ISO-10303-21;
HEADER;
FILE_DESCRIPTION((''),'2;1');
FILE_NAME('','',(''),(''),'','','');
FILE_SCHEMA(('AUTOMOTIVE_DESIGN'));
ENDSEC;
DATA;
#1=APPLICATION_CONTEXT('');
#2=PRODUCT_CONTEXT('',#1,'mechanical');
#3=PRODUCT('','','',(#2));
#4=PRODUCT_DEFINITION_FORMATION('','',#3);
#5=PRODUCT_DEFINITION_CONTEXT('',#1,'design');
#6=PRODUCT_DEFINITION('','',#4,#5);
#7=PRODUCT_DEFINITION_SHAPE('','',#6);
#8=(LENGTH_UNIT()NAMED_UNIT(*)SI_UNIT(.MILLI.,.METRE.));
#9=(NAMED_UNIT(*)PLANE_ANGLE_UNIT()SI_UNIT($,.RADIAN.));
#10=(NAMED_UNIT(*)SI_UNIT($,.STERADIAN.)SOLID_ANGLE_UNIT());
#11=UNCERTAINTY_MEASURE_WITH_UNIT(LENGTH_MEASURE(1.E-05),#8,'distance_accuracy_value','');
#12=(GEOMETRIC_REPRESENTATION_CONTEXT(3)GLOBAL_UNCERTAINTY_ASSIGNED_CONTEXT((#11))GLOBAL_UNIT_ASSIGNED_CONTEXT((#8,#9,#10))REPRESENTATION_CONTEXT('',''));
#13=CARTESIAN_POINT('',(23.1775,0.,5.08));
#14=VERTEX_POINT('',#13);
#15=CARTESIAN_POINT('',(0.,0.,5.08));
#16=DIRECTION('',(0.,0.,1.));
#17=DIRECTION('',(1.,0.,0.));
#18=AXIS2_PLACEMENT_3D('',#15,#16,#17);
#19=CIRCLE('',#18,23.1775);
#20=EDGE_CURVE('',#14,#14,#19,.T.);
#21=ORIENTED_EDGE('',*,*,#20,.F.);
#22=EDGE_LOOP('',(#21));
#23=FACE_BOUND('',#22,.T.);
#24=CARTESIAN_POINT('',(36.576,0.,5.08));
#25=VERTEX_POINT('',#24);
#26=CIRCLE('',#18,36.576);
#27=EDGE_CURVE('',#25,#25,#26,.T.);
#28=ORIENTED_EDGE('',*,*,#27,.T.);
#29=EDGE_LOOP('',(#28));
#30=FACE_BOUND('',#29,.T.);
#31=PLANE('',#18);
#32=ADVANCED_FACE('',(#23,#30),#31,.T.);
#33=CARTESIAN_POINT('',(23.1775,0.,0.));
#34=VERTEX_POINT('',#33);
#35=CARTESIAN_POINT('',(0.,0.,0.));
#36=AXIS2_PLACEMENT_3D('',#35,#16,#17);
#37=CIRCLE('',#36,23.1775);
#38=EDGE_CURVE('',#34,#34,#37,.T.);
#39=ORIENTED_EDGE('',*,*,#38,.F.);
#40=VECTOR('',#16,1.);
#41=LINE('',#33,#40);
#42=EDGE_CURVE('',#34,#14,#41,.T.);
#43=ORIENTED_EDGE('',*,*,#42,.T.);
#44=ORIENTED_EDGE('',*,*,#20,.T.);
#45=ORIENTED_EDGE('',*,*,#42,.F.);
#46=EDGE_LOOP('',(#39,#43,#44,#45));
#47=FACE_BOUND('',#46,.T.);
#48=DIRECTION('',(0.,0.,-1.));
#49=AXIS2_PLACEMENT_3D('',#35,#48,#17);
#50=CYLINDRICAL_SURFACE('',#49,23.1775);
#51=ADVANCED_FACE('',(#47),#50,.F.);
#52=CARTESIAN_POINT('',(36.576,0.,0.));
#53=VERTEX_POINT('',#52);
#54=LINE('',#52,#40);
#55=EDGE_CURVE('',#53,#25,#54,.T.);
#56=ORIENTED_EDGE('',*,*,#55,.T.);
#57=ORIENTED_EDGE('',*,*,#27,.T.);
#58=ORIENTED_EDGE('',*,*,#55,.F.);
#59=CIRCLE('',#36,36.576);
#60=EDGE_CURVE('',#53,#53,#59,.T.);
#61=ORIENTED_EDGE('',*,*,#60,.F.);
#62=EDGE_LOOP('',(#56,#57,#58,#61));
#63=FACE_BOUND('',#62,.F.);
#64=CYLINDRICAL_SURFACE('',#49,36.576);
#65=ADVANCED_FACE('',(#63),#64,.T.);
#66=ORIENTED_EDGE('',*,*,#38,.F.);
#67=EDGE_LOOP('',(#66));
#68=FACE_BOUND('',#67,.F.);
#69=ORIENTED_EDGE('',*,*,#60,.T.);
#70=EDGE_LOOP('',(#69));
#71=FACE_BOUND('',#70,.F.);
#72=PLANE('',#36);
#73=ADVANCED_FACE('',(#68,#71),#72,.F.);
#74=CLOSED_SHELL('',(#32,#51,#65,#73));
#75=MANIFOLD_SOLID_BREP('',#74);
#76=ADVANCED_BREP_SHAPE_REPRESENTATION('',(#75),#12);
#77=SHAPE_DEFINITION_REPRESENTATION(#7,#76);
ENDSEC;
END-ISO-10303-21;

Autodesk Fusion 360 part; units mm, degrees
sketch "Sketch1" plane through (0, 0, 0) normal (0, 0, 1) x (1, 0, 0)
  circle A0 centre (0, 0) radius 23.1775
  circle A1 centre (0, 0) radius 36.576
  dimension "d1" = 46.355
  dimension "d2" = 73.152
extrude "Extrude1" add sketch "Sketch1" along normal blind 5.08
equation "d3 = 2.54 * 2 mm"
